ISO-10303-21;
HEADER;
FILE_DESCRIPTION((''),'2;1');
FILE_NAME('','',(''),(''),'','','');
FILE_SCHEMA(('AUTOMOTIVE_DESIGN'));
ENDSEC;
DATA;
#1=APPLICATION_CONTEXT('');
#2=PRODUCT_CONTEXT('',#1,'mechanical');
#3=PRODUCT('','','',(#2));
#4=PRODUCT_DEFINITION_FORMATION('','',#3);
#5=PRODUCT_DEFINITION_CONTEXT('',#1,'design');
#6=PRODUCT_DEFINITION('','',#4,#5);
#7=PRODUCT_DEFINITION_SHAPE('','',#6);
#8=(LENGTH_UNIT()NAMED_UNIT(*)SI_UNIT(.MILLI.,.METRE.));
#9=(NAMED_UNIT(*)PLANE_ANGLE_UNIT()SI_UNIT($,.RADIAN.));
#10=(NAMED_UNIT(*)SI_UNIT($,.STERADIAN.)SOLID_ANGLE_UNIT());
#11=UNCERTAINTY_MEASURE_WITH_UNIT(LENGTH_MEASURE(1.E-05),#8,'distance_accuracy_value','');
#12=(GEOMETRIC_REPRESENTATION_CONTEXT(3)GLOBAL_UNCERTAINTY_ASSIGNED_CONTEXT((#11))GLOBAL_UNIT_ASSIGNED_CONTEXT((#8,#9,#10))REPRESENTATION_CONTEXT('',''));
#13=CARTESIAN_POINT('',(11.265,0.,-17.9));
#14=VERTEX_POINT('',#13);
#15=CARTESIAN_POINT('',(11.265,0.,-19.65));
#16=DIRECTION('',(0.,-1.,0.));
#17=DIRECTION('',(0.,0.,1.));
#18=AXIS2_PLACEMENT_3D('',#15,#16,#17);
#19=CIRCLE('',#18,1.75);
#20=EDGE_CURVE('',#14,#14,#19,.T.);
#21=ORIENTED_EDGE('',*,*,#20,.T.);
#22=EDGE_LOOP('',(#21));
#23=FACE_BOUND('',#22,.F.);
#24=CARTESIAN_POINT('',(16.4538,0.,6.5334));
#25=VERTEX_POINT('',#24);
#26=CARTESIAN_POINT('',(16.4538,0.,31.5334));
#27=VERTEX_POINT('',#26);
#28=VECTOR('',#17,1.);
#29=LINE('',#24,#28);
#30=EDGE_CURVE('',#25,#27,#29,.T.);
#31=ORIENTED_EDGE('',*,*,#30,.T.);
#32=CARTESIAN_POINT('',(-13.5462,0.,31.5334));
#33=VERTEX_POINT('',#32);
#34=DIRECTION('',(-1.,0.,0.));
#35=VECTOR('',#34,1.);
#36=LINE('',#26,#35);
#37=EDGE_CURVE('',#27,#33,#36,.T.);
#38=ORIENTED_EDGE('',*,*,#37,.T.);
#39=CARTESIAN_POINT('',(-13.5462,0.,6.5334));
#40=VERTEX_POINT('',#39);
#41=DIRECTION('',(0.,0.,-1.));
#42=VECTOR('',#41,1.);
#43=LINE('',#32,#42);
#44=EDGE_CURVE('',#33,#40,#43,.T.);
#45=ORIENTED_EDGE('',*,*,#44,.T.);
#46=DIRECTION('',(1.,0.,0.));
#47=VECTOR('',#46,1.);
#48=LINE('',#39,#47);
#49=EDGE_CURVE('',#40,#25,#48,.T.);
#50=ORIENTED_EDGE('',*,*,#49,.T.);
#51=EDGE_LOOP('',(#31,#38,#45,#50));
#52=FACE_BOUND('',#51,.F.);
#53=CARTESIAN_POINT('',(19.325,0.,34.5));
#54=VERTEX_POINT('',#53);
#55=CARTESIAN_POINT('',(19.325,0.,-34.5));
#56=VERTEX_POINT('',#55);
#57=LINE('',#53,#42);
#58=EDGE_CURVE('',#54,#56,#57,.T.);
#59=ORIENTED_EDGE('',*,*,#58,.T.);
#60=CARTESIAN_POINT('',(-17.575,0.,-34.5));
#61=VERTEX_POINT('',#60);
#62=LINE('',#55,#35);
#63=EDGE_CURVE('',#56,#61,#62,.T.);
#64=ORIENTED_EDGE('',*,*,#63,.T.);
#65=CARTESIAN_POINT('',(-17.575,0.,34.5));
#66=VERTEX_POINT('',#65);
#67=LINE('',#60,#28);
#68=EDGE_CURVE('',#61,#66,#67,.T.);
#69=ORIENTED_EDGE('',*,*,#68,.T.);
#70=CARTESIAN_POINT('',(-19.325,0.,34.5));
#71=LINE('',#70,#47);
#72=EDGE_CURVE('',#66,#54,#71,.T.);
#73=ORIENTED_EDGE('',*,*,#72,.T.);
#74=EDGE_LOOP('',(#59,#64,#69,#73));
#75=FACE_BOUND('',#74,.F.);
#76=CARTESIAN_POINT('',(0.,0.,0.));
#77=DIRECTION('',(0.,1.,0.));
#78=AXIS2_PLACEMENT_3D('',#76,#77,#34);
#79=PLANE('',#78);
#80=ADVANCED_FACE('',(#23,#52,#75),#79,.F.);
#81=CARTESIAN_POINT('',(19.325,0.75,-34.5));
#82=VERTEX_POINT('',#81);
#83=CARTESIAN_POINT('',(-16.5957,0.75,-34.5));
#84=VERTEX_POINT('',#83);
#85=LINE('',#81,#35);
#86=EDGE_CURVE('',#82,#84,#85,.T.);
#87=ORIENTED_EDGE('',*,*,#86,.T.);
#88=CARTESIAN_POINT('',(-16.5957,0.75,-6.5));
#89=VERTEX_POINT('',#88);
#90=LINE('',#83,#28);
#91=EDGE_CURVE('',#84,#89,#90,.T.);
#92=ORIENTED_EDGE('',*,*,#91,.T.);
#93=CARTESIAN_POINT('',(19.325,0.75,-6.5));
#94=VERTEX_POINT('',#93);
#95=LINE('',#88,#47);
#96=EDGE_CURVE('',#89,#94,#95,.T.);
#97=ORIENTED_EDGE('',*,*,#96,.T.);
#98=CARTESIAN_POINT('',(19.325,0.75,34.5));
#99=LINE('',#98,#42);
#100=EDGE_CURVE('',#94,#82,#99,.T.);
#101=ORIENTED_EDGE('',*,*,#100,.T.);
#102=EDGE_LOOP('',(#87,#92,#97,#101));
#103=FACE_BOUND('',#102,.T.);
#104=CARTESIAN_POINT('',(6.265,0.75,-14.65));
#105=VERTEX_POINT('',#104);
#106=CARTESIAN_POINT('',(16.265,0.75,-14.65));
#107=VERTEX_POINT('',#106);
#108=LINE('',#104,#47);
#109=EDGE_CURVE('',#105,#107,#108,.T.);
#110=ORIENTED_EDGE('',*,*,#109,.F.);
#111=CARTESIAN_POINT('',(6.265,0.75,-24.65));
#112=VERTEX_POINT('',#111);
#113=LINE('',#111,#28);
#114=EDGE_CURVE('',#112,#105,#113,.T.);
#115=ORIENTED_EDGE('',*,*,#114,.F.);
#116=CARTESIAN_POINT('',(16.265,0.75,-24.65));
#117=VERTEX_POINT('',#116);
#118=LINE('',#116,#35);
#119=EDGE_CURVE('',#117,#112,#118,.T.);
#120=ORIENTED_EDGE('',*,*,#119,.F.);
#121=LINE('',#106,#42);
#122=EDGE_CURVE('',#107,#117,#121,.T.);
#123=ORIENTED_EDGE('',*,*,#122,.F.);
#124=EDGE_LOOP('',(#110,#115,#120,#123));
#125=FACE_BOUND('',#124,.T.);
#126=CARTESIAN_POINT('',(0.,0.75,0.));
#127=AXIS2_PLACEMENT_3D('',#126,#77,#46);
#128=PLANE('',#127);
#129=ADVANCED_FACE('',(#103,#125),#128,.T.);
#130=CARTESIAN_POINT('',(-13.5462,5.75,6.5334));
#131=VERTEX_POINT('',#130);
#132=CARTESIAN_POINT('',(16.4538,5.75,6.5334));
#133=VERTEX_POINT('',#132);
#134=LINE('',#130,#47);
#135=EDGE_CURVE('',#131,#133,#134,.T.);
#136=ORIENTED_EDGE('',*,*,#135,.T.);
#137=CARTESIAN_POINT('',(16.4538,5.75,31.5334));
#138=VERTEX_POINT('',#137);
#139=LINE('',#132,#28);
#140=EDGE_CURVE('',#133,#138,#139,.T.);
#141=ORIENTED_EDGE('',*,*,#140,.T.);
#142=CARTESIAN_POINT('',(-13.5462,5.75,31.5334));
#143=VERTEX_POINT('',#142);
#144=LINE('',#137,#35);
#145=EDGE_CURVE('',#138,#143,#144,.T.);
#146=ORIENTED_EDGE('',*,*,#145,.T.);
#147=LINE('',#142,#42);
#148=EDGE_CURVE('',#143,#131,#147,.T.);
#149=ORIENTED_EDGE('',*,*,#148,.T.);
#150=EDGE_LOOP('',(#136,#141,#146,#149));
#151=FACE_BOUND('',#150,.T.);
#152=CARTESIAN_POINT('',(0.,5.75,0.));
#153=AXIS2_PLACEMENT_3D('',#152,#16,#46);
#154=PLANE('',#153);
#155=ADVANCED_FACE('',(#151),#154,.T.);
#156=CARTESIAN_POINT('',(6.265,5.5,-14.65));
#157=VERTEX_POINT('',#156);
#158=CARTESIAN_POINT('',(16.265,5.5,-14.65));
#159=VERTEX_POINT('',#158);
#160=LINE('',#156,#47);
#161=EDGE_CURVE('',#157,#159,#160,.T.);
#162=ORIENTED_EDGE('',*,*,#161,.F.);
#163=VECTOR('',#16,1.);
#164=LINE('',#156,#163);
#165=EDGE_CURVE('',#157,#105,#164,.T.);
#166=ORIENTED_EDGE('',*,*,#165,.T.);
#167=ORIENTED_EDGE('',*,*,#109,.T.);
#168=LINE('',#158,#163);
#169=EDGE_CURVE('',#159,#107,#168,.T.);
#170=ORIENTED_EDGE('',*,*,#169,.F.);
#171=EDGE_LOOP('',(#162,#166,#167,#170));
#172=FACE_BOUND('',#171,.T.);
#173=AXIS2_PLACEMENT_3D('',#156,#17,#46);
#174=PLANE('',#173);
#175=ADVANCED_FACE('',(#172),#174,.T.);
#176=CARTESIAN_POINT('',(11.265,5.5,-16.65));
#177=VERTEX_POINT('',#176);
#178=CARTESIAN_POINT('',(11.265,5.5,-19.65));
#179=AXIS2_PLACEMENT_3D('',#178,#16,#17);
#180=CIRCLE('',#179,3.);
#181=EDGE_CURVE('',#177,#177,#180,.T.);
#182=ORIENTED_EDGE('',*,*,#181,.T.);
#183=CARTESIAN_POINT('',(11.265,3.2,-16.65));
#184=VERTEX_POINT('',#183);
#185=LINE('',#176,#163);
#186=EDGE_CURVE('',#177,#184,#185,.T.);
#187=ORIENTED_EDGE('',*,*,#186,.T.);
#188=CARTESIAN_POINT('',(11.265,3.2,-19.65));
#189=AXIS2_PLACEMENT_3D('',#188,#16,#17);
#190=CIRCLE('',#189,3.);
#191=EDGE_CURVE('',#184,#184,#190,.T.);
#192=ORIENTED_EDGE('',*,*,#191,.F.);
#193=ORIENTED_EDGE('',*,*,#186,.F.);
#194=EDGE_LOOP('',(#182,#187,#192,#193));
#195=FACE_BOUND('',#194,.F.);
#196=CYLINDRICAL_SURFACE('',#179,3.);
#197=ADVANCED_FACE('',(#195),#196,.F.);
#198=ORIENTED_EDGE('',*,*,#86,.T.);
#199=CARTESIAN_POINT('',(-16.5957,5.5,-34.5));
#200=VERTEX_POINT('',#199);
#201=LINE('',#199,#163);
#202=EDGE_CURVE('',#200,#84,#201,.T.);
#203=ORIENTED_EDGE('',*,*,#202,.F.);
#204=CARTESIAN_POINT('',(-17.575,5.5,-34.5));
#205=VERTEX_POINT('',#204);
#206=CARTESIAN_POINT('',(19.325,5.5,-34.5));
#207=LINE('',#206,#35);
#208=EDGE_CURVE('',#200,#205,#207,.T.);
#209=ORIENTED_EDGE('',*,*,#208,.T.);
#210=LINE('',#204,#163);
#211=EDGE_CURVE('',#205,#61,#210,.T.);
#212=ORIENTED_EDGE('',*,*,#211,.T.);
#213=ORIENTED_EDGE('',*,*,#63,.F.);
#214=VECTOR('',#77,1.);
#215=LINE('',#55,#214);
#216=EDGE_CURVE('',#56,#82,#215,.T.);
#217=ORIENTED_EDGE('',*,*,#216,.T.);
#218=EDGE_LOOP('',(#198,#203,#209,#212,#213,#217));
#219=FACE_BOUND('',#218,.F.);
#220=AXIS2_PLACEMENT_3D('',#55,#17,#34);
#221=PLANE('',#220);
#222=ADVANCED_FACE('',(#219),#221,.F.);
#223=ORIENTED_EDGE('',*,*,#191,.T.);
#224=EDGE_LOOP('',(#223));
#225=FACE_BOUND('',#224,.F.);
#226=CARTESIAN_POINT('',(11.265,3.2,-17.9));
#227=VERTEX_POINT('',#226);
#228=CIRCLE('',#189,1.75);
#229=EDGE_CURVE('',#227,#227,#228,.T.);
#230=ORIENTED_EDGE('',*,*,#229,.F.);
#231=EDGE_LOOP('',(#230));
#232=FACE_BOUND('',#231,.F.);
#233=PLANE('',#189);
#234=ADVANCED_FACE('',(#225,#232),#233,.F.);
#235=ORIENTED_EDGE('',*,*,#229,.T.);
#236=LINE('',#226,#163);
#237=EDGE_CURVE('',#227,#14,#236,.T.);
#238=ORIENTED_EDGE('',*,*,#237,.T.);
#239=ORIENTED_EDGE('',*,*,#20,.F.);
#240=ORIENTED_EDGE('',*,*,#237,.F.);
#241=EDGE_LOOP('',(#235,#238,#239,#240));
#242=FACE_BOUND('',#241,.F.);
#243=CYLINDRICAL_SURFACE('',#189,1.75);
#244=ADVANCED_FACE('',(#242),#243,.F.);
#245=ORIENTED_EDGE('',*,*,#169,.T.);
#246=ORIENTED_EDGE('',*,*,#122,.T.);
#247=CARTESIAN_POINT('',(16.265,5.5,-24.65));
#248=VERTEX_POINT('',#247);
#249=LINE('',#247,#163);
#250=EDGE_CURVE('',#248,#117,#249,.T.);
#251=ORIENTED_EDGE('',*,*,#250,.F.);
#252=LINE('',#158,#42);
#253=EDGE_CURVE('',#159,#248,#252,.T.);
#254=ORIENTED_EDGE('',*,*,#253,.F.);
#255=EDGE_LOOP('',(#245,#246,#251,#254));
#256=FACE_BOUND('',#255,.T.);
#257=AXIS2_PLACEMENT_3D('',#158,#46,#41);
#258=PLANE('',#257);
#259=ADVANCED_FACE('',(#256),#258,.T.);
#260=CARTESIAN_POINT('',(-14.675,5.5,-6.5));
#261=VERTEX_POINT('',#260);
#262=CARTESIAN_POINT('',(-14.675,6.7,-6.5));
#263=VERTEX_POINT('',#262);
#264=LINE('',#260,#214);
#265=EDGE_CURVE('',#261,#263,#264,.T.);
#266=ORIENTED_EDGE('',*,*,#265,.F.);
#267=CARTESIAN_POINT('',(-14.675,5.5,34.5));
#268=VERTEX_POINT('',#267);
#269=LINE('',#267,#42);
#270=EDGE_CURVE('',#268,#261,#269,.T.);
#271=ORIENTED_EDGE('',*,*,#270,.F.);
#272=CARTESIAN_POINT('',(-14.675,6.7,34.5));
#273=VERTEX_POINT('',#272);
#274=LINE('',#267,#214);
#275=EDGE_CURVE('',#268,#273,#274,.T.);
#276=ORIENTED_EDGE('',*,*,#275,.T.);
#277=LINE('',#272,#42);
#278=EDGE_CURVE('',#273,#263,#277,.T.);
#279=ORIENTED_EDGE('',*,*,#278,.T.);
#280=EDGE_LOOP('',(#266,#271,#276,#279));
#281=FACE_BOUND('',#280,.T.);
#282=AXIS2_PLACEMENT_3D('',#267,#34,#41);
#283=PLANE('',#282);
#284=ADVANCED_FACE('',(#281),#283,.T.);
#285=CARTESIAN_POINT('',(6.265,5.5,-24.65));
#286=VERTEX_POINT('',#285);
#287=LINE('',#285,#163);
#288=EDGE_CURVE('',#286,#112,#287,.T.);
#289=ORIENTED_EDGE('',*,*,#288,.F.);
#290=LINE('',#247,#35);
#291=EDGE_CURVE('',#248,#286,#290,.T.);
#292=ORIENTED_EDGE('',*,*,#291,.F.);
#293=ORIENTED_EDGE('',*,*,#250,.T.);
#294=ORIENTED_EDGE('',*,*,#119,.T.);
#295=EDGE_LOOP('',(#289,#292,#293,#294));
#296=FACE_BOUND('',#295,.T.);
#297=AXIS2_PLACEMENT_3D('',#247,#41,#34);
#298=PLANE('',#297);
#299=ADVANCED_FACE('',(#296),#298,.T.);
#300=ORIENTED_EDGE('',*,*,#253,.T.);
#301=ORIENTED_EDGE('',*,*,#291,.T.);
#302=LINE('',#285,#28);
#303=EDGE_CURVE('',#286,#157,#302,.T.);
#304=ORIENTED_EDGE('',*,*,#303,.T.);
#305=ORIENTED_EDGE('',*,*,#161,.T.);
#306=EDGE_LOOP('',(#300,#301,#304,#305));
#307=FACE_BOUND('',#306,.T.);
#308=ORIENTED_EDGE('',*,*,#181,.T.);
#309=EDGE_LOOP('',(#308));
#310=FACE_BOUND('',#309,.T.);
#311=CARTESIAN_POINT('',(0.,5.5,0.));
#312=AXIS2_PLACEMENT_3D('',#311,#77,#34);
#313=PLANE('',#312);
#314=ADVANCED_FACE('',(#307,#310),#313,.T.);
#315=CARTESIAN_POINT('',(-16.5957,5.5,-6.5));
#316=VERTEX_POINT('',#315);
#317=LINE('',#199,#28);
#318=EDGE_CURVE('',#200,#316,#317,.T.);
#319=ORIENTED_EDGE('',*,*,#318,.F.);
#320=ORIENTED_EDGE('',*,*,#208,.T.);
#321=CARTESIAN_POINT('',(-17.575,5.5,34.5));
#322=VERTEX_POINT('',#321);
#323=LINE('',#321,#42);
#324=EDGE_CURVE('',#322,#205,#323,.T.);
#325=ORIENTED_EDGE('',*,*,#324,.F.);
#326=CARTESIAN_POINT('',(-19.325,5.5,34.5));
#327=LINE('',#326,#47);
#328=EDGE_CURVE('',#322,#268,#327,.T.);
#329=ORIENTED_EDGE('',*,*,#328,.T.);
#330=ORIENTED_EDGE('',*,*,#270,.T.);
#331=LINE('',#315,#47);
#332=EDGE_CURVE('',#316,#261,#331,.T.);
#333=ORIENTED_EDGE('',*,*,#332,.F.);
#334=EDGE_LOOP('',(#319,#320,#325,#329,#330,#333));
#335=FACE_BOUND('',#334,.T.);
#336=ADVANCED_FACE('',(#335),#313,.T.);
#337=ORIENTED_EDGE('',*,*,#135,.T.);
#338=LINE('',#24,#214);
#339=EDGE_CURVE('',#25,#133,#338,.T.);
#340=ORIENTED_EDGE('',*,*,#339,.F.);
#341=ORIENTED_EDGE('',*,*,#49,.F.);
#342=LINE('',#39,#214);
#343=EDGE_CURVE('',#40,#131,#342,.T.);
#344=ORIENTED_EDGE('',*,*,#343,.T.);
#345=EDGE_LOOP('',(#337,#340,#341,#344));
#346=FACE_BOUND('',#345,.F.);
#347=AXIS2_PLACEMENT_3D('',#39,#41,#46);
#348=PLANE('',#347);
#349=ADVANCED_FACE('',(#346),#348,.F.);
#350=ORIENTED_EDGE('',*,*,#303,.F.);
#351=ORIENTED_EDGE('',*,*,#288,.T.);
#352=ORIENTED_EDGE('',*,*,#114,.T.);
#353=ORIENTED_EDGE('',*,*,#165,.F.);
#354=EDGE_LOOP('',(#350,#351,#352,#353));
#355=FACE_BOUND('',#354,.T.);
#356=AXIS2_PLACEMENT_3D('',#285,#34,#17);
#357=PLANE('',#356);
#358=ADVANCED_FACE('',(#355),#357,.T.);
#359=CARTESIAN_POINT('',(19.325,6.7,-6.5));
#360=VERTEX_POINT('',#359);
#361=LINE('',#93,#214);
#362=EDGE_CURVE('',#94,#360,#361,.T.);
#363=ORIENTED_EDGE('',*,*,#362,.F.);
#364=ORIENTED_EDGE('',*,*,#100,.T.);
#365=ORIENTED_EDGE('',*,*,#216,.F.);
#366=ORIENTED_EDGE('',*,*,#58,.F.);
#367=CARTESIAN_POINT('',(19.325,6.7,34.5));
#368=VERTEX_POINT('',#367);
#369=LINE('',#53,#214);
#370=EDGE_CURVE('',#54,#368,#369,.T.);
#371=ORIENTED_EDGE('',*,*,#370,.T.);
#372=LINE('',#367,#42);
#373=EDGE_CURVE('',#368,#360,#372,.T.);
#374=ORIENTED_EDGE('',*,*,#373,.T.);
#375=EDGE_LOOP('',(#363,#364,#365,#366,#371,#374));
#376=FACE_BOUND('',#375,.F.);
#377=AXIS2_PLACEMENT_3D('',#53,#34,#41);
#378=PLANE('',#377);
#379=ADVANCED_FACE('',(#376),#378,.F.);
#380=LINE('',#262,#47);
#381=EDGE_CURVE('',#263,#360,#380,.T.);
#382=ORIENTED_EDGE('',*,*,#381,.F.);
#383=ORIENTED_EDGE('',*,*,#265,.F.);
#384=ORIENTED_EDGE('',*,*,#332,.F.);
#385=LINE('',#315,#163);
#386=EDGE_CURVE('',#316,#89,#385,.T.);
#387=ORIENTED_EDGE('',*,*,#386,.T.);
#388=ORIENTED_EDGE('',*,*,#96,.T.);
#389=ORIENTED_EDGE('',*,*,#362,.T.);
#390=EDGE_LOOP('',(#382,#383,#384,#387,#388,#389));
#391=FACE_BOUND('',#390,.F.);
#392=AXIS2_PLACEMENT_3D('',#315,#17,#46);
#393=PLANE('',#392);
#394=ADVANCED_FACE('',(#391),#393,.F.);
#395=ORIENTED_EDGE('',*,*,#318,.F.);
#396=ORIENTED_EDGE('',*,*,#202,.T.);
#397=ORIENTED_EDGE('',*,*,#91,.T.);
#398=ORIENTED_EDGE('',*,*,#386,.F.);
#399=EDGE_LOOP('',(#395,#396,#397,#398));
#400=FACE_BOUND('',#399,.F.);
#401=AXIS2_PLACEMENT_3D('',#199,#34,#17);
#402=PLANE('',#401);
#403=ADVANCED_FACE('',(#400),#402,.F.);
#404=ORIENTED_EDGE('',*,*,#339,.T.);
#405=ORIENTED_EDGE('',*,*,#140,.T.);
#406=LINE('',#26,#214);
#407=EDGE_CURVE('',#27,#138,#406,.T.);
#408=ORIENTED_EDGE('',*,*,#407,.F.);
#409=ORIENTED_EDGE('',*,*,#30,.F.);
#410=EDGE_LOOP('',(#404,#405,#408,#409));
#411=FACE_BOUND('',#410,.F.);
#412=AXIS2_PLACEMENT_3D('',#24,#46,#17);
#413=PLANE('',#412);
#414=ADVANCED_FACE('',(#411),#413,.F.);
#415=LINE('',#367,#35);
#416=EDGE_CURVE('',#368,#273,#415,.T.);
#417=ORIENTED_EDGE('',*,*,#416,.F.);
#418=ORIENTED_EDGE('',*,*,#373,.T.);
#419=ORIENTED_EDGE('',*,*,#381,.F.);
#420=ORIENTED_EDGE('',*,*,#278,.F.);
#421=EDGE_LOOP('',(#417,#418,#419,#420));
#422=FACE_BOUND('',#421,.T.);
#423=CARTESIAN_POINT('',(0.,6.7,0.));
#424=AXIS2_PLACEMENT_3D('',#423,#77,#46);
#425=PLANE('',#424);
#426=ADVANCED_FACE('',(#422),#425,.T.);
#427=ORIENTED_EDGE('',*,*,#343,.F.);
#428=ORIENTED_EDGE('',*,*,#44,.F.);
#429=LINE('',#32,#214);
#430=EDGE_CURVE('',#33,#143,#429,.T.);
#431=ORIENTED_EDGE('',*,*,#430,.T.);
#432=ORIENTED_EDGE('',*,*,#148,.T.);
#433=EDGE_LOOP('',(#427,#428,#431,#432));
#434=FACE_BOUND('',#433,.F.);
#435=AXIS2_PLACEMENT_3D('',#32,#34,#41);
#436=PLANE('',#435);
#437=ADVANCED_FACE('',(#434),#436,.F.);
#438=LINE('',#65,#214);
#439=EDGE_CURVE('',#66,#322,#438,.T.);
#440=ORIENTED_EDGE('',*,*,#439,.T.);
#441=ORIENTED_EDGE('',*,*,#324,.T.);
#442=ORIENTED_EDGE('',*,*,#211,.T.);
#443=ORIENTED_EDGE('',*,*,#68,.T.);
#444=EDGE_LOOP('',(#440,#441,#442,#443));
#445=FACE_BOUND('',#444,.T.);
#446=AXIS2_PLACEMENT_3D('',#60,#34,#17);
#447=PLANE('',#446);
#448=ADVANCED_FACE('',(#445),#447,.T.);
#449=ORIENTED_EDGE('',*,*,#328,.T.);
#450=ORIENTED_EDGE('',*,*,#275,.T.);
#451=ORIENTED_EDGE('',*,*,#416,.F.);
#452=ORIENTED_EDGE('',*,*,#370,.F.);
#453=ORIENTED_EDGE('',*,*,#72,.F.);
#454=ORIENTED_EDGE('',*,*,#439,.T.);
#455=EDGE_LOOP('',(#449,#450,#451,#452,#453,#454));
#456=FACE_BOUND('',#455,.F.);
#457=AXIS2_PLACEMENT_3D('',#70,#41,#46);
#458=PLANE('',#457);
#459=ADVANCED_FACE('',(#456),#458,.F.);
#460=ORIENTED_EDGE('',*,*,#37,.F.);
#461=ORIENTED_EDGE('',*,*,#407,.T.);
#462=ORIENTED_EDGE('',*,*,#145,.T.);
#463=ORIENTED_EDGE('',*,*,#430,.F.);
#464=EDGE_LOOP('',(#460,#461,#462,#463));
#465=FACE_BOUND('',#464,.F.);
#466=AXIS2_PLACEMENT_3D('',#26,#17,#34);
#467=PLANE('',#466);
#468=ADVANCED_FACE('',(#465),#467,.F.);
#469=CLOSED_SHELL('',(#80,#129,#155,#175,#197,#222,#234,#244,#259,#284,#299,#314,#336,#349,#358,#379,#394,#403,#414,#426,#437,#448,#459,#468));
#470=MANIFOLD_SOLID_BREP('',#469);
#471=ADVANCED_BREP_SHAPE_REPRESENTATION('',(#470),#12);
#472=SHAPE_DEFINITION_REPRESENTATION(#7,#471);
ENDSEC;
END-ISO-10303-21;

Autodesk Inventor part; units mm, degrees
ref_plane "YZ Plane" through (0, 0, 0) normal (1, 0, 0) x (0, 1, 0)
ref_plane "XZ Plane" through (0, 0, 0) normal (0, 1, 0) x (-1, 0, 0)
ref_plane "XY Plane" through (0, 0, 0) normal (0, 0, 1) x (1, 0, 0)
sketch "Sketch1" plane through (0, 0, 0) normal (0, 1, 0) x (-1, 0, 0)
  line L0 (19.325, 34.5) -> (-19.325, 34.5)
  line L1 (-19.325, 34.5) -> (-19.325, -34.5)
  line L2 (-19.325, -34.5) -> (19.325, -34.5)
  line L3 (19.325, -34.5) -> (19.325, 34.5)
  line L4 (19.325, 34.5) -> (-19.325, -34.5) construction
  line L5 (-19.325, 34.5) -> (19.325, -34.5) construction
  point P0 (0, 0)
  dimension "d0" = 38.65
  dimension "d1" = 69
extrude "Extrusion1" add sketch "Sketch1" along normal blind 5.5
sketch "Sketch3" plane through (0, 5.5, 0) normal (0, 1, 0) x (1, 0, 0)
  line L0 (19.325, -34.5) -> (19.325, 34.5) projected
  line L1 (19.325, -34.5) -> (-14.675, -34.5)
  line L2 (-14.675, -34.5) -> (-14.675, 6.5)
  line L3 (-14.675, 6.5) -> (19.325, 6.5)
  line L4 (19.325, 6.5) -> (19.325, -34.5)
  point P0 (0, 0)
  dimension "d4" = 34
  dimension "d5" = 41
extrude "Extrusion2" add sketch "Sketch3" along normal blind 1.2
sketch "Sketch4" plane through (-19.325, 0, -34.5) normal (-1, 0, 0) x (0, 0, 1)
  point P0 (34.5, 0)
sketch "Sketch5" plane through (0, 5.5, 0) normal (0, 1, 0) x (1, 0, 0)
  line L0 (19.325, 34.5) -> (-19.325, 34.5) projected
  line L1 (19.325, 34.5) -> (11.265, 34.5)
  circle A0 centre (11.265, 19.65) radius 2.4036
  line L2 (-14.675, -34.5) -> (19.325, -34.5) projected
  point P0 (0, 0)
  dimension "d20" = 8.06
  dimension "d21" = 54.15
hole "Hole1" at (11.265, 5.5, -19.65) direction (0, -1, 0) diameter 3.5 depth 10.5 tip angle 118 counterbore diameter 6 counterbore depth 2.3
sketch "Sketch6" plane through (0, 5.5, 0) normal (0, 1, 0) x (1, 0, 0)
  line L0 (19.325, -34.5) -> (19.325, 34.5) projected
  line L1 (19.325, 34.5) -> (-16.5957, 34.5)
  line L2 (-16.5957, 34.5) -> (-16.5957, 6.5)
  line L3 (-16.5957, 6.5) -> (19.325, 6.5)
  line L4 (19.325, 6.5) -> (19.325, 34.5)
  line L5 (16.265, 24.65) -> (6.265, 24.65)
  line L6 (6.265, 24.65) -> (6.265, 14.65)
  line L7 (6.265, 14.65) -> (16.265, 14.65)
  line L8 (16.265, 14.65) -> (16.265, 24.65)
  circle A0 centre (11.265, 19.65) radius 1.75 projected
  line L9 (16.265, 24.65) -> (6.265, 14.65) construction
  line L10 (6.265, 24.65) -> (16.265, 14.65) construction
  point P0 (0, 0)
  point P1 (19.325, 6.5)
  dimension "d32" = 10
  dimension "d33" = 10
  dimension "d37" = 28
extrude "Extrusion3" cut sketch "Sketch6" against normal blind 4.75 contours L3 L2 L1 L0
sketch "Sketch7" plane through (0, 0, 0) normal (0, -1, 0) x (1, 0, 0)
  line L0 (-13.5462, 6.5334) -> (16.4538, 6.5334)
  line L1 (16.4538, 6.5334) -> (16.4538, 31.5334)
  line L2 (16.4538, 31.5334) -> (-13.5462, 31.5334)
  line L3 (-13.5462, 31.5334) -> (-13.5462, 6.5334)
  line L4 (-13.5462, 6.5334) -> (16.4538, 31.5334) construction
  line L5 (16.4538, 6.5334) -> (-13.5462, 31.5334) construction
  point P0 (0, 0)
  point P1 (1.4538, 19.0334)
  dimension "d40" = 30
  dimension "d41" = 25
extrude "Extrusion4" cut sketch "Sketch7" against normal blind 5.75
sketch "Sketch8" plane through (-19.325, 0, -34.5) normal (-1, 0, 0) x (0, 0, 1)
  line L0 (0, 0) -> (69, 0) projected
  line L1 (69, 0) -> (69, 5.5) projected
  line L2 (0, 0) -> (69, 0)
  line L3 (69, 0) -> (69, 5.5)
  line L4 (69, 5.5) -> (0, 5.5)
  line L5 (0, 5.5) -> (0, 0)
  point P0 (34.5, 0)
extrude "Extrusion5" cut sketch "Sketch8" against normal blind 1.75
properties part number "support_1"
